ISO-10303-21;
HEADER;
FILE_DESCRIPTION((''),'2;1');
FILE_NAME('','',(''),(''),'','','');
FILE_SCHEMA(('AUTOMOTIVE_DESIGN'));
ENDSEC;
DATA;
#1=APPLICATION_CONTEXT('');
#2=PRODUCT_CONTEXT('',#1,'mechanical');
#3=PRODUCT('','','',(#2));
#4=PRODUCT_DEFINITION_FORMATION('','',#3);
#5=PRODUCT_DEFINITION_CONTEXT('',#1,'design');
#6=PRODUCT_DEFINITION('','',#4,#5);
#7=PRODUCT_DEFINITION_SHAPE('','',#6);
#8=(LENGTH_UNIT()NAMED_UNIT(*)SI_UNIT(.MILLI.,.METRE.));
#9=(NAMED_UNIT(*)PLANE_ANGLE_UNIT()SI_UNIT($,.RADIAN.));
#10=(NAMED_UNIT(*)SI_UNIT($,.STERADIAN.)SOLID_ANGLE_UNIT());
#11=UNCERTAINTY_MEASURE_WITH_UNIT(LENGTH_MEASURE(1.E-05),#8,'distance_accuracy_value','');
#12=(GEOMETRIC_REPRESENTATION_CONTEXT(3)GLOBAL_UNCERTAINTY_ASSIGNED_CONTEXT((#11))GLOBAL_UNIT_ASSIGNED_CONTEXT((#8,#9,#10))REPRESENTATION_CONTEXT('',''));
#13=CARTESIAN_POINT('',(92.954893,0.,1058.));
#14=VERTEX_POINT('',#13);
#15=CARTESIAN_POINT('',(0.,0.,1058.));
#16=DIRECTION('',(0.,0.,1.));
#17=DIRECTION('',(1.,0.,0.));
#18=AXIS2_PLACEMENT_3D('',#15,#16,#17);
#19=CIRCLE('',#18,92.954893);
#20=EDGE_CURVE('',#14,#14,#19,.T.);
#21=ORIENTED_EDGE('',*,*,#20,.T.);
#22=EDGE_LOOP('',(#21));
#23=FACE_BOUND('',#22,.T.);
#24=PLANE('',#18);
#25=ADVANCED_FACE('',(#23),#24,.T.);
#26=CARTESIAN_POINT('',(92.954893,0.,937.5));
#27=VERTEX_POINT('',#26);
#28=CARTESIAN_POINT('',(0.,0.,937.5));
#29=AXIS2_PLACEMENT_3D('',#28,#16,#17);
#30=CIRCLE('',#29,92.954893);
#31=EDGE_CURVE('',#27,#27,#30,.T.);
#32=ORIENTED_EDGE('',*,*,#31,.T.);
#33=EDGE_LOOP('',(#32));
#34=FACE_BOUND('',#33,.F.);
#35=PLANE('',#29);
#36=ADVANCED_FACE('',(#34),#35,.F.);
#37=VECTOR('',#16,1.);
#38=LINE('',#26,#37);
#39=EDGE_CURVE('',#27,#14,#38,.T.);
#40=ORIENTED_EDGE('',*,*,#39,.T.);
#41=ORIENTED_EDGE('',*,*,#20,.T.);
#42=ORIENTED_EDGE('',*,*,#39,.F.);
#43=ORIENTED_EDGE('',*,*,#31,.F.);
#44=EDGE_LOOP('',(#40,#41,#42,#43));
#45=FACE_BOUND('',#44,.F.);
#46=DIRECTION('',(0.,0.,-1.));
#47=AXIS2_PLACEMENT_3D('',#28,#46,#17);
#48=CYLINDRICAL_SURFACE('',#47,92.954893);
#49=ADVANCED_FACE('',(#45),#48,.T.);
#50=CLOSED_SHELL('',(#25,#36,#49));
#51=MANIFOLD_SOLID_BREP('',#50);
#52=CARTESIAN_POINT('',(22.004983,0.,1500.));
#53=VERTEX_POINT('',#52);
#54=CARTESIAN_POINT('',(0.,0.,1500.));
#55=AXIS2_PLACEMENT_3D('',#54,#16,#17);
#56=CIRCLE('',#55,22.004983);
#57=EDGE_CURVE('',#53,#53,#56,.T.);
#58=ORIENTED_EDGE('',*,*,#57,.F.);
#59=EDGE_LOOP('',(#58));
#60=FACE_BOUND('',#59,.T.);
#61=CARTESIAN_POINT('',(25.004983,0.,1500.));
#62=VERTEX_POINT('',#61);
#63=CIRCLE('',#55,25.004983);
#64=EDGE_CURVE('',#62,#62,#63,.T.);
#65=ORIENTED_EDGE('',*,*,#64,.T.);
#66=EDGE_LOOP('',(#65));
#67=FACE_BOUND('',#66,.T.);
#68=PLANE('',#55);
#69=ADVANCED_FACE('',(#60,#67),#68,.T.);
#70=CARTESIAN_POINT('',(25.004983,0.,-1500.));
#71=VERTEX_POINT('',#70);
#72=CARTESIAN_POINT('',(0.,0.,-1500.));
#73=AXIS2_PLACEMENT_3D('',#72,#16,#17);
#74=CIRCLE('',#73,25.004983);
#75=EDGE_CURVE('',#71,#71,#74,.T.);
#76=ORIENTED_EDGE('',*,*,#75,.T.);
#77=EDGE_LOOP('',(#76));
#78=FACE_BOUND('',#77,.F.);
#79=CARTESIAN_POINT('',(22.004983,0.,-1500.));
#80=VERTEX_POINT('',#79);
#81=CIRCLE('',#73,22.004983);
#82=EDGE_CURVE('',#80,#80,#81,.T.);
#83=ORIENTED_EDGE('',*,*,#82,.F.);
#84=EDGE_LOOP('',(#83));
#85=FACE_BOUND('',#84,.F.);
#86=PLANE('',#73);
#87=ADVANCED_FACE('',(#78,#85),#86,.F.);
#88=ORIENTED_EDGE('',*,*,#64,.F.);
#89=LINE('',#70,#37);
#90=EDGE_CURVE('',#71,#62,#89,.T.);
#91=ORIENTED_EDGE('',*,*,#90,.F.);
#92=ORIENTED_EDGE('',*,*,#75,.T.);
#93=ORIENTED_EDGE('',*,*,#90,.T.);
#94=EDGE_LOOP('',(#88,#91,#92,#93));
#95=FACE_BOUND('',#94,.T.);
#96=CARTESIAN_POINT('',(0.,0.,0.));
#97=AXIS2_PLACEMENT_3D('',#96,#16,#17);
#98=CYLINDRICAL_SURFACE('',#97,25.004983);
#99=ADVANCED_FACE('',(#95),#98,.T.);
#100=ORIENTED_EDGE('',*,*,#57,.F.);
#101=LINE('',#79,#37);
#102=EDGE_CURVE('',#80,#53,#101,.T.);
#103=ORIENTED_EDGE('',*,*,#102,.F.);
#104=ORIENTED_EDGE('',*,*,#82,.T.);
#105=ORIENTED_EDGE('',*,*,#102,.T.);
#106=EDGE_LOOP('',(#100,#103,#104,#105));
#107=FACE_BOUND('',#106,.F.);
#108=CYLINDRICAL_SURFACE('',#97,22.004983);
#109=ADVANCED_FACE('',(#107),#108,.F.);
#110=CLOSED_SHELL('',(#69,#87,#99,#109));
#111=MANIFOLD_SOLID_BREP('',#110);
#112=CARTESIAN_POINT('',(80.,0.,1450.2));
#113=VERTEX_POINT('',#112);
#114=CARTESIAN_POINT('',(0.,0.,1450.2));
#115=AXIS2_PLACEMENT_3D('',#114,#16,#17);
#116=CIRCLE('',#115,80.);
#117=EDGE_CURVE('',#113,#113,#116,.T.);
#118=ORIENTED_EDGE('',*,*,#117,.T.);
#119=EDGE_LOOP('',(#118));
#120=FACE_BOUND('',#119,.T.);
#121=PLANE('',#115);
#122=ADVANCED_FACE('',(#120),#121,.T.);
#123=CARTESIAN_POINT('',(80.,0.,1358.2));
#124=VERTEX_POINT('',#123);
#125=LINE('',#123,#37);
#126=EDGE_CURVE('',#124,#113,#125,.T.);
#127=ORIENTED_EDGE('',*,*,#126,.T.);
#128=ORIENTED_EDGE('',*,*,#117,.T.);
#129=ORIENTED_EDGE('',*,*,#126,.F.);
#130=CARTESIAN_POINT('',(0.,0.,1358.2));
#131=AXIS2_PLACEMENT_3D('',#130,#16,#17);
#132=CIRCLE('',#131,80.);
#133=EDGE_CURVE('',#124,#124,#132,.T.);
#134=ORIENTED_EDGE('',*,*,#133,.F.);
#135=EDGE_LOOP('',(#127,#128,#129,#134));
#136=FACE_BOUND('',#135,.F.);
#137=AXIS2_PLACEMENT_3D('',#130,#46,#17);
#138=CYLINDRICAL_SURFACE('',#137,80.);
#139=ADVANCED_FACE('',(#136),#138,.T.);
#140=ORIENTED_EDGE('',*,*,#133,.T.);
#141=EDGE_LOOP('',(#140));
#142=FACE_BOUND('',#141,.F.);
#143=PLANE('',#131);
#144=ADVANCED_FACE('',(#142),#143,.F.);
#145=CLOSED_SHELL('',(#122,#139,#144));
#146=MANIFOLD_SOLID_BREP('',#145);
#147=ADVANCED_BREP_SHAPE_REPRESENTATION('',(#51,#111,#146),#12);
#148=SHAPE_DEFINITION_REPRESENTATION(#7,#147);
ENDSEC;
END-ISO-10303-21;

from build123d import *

# Parameters (mm, degrees)
F2_R      = 25.004983
F3_DEPTH  = 1500
F4_T      = -3
F6_R      = 92.954893
F7_DEPTH  = 120.5
F9_R      = 80
F10_DEPTH = 92


with BuildPart() as f3:
    # F2 (on Top) → F3 (new body, symmetric)
    with BuildSketch(Plane.XY):
        Circle(F2_R)
    extrude(amount=F3_DEPTH, both=True)

    # F4
    f4_openings = [f3.faces().sort_by_distance(p)[0] for p in [
        (0, 0, 1500),
        (0, 0, -1500),
    ]]
    offset(amount=F4_T, openings=f4_openings)


with BuildPart() as f7:
    # F6 (on offset) → F7 (new body)
    with BuildSketch(Plane.XY.offset(937.5)):
        Circle(F6_R)
    extrude(amount=F7_DEPTH)


with BuildPart() as f10:
    # F9 (on offset) → F10 (new body)
    with BuildSketch(Plane.XY.offset(1358.2)):
        Circle(F9_R)
    extrude(amount=F10_DEPTH)


solid = Compound([f3.part, f7.part, f10.part])
